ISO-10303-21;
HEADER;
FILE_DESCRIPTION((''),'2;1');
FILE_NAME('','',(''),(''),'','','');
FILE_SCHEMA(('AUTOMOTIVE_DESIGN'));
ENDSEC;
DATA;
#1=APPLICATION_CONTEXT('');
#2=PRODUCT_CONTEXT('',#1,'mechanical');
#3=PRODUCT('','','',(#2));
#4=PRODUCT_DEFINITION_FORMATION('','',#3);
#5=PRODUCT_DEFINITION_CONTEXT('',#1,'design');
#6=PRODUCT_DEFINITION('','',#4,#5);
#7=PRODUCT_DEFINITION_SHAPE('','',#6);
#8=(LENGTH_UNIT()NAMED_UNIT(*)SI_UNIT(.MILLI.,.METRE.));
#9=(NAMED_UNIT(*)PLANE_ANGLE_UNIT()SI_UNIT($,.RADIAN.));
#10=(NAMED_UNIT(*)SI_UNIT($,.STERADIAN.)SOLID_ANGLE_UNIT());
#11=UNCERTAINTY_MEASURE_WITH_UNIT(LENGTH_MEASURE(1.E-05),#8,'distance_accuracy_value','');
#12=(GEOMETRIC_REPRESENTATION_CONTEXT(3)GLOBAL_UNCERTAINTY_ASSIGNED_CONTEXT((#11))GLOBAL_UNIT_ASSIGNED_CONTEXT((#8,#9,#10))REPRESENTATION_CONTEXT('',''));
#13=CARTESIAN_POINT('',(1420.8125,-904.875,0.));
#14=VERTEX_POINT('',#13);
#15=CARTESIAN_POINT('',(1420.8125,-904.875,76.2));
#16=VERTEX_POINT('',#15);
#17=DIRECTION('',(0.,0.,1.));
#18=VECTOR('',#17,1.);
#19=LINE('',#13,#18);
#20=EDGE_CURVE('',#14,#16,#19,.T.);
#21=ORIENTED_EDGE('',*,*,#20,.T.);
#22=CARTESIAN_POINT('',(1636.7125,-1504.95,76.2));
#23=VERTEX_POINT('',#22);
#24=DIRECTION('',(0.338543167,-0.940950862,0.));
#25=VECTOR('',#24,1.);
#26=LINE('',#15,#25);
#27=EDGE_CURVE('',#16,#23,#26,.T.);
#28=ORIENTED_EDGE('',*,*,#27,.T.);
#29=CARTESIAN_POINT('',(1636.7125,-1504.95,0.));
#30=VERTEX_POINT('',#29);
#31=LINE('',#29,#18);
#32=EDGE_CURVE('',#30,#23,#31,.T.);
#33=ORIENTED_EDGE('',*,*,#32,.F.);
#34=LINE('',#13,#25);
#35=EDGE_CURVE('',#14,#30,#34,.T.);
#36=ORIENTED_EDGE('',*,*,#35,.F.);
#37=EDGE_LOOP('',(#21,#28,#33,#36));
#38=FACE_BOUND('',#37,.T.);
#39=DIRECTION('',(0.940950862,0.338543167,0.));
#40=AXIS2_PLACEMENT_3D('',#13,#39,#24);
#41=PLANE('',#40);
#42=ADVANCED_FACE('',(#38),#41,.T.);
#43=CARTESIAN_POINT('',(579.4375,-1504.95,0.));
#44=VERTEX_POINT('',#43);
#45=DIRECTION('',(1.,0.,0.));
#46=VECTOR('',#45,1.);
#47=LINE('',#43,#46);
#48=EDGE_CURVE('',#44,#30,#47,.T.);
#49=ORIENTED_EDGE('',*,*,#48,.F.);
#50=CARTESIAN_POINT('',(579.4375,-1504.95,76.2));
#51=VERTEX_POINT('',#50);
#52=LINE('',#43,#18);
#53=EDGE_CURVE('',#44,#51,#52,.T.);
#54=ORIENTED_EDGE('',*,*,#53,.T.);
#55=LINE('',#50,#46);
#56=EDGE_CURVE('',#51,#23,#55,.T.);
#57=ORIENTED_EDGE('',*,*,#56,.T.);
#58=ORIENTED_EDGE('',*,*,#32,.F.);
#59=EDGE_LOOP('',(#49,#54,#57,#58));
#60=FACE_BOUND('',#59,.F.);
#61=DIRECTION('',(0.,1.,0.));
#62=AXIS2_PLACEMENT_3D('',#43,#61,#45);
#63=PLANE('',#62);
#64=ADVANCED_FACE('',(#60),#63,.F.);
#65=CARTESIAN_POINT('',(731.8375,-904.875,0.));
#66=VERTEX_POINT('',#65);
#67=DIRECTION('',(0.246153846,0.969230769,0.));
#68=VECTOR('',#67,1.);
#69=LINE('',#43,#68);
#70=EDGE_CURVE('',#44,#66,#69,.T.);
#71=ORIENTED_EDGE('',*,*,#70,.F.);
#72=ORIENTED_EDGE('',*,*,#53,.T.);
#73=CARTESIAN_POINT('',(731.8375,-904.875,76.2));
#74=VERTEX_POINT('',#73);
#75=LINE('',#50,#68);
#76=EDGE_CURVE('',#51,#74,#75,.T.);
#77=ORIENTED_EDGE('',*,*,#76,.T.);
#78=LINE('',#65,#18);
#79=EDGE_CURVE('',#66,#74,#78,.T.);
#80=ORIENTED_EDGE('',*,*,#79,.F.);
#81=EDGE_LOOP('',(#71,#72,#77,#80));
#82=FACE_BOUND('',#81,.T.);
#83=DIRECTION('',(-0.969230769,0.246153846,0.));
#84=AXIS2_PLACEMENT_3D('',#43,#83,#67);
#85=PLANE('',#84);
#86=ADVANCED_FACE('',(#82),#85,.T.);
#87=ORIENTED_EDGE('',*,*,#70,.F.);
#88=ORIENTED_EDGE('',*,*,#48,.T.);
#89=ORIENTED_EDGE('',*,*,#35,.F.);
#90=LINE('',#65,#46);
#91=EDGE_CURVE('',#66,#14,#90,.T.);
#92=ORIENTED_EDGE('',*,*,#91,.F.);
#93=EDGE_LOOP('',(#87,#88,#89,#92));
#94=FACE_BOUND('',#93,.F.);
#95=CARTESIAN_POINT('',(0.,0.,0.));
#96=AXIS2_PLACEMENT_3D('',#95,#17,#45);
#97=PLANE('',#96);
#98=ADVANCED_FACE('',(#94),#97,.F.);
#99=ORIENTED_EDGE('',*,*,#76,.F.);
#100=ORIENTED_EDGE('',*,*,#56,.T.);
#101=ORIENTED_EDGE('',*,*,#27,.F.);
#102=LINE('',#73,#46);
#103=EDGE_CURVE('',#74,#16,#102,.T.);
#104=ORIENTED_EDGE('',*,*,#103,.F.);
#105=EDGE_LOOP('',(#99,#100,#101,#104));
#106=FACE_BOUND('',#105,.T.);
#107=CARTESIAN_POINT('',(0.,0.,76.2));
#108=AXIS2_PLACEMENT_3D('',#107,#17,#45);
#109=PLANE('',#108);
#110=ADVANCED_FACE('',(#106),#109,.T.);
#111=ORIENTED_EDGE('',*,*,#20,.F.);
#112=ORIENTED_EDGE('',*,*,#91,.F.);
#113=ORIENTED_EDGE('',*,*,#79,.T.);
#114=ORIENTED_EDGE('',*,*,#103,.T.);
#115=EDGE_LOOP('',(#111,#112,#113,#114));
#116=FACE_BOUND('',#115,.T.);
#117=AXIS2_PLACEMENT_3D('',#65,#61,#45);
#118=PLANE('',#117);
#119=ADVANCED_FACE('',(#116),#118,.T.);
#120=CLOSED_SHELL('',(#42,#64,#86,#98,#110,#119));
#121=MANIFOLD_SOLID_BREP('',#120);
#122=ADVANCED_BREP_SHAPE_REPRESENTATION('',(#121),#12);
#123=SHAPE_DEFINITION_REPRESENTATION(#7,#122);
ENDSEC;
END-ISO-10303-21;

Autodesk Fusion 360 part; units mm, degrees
sketch "Sketch1" plane through (0, 0, 0) normal (0, 0, 1) x (1, 0, 0)
  line L0 (0, 0) -> (0, -600.075)
  line L1 (0, -600.075) -> (744.5375, -600.075)
  line L2 (0, 0) -> (947.7375, 0)
  line L3 (947.7375, 0) -> (744.5375, -600.075)
  line L4 (1049.3375, -600.075) -> (2105.025, -600.075)
  line L5 (1049.3375, -600.075) -> (1252.5375, 0)
  line L6 (2105.025, -600.075) -> (1698.625, 0)
  line L7 (1252.5375, 0) -> (1698.625, 0)
  line L8 (2003.425, 0) -> (3025.775, 0)
  line L9 (2409.825, -600.075) -> (3025.775, -600.075)
  line L10 (3025.775, 0) -> (3025.775, -600.075)
  line L11 (2409.825, -600.075) -> (2003.425, 0)
  line L12 (0, -904.875) -> (0, -1504.95)
  line L13 (0, -1504.95) -> (376.2375, -1504.95)
  line L14 (376.2375, -1504.95) -> (528.6375, -904.875)
  line L15 (0, -904.875) -> (528.6375, -904.875)
  line L16 (579.4375, -1504.95) -> (1636.7125, -1504.95)
  line L17 (731.8375, -904.875) -> (1420.8125, -904.875)
  line L18 (579.4375, -1504.95) -> (731.8375, -904.875)
  line L19 (1420.8125, -904.875) -> (1636.7125, -1504.95)
  line L20 (1839.9125, -1504.95) -> (2160.5875, -1504.95)
  line L21 (1624.0125, -904.875) -> (2401.8875, -904.875)
  line L22 (1624.0125, -904.875) -> (1839.9125, -1504.95)
  line L23 (2160.5875, -1504.95) -> (2401.8875, -904.875)
  line L24 (2363.7875, -1504.95) -> (3019.425, -1504.95)
  line L25 (2605.0875, -904.875) -> (3019.425, -904.875)
  line L26 (3019.425, -904.875) -> (3019.425, -1504.95)
  line L27 (2605.0875, -904.875) -> (2363.7875, -1504.95)
  line L28 (0, -1809.75) -> (0, -2409.825)
  line L29 (0, -1809.75) -> (909.6375, -1809.75)
  line L30 (0, -2409.825) -> (795.3375, -2409.825)
  line L31 (795.3375, -2409.825) -> (909.6375, -1809.75)
  line L32 (1214.4375, -1809.75) -> (2017.7125, -1809.75)
  line L33 (1100.1375, -2409.825) -> (1878.0125, -2409.825)
  line L34 (1100.1375, -2409.825) -> (1214.4375, -1809.75)
  line L35 (1878.0125, -2409.825) -> (2017.7125, -1809.75)
  line L36 (2182.8125, -2409.825) -> (3028.95, -2409.825)
  line L37 (2322.5125, -1809.75) -> (3028.95, -1809.75)
  line L38 (2322.5125, -1809.75) -> (2182.8125, -2409.825)
  line L39 (3028.95, -1809.75) -> (3028.95, -2409.825)
  line L40 (0, -2714.625) -> (0, -3314.7)
  line L41 (0, -2714.625) -> (465.1375, -2714.625)
  line L42 (465.1375, -2714.625) -> (465.1375, -3314.7)
  line L43 (465.1375, -3314.7) -> (0, -3314.7)
  line L44 (668.3375, -3314.7) -> (1268.4125, -3314.7)
  line L45 (668.3375, -3314.7) -> (668.3375, -2714.625)
  line L46 (668.3375, -2714.625) -> (1458.9125, -2714.625)
  line L47 (1458.9125, -2714.625) -> (1268.4125, -3314.7)
  line L48 (1471.6125, -3314.7) -> (2236.7875, -3314.7)
  line L49 (1662.1125, -2714.625) -> (2528.8875, -2714.625)
  line L50 (1471.6125, -3314.7) -> (1662.1125, -2714.625)
  line L51 (2528.8875, -2714.625) -> (2236.7875, -3314.7)
  line L52 (2439.9875, -3314.7) -> (3019.425, -3314.7)
  line L53 (2732.0875, -2714.625) -> (3019.425, -2714.625)
  line L54 (2439.9875, -3314.7) -> (2732.0875, -2714.625)
  line L55 (3019.425, -2714.625) -> (3019.425, -3314.7)
  dimension "d1" = 600.075
  dimension "d2" = 744.5375
  dimension "d3" = 1055.6875
  dimension "d4" = 304.8
  dimension "d5" = 1022.35
  dimension "d6" = 615.95
  dimension "d7" = 0
  dimension "d8" = 304.8
  dimension "d9" = 376.2375
  dimension "d10" = 1057.275
  dimension "d11" = 203.2
  dimension "d12" = 688.975
  dimension "d13" = 320.675
  dimension "d14" = 777.875
  dimension "d15" = 203.2
  dimension "d16" = 655.6375
  dimension "d17" = 414.3375
  dimension "d18" = 203.2
  dimension "d19" = 0
  dimension "d20" = 0
  dimension "d21" = 909.6375
  dimension "d22" = 795.3375
  dimension "d23" = 803.275
  dimension "d24" = 777.875
  dimension "d25" = 304.8
  dimension "d26" = 846.1375
  dimension "d27" = 304.8
  dimension "d28" = 706.4375
  dimension "d29" = 304.8
  dimension "d30" = 947.7375
  dimension "d31" = 446.0875
  dimension "d32" = 528.6375
  dimension "d33" = 0
  dimension "d34" = 0
  dimension "d35" = 465.1375
  dimension "d36" = 600.075
  dimension "d37" = 203.2
  dimension "d38" = 790.575
  dimension "d39" = 765.175
  dimension "d40" = 203.2
  dimension "d41" = 866.775
  dimension "d42" = 579.4375
  dimension "d43" = 287.3375
  dimension "d44" = 203.2
extrude "Extrude1" add sketch "Sketch1" along normal blind 76.2 contours L16 L17 L18 L19
equation "d1 = 23 5/8\""
equation "d2 = 29 5/16\""
equation "d3 = 41 9/16\""
equation "d5 = 40 1/4\""
equation "d6 = 24 1/4\""
equation "d7 = d20"
equation "d9 = 14 13/16\""
equation "d12 = 27 1/8\""
equation "d13 = 12 5/8\""
equation "d14 = 30 5/8\""
equation "d16 = 25 13/16\""
equation "d17 = 16 5/16\""
equation "d19 = d20"
equation "d20 = d33"
equation "d21 = 35 13/16\""
equation "d22 = 31 5/16\""
equation "d23 = 31 5/8\""
equation "d24 = 30 5/8\""
equation "d26 = 33 5/16\""
equation "d28 = 27 13/16\""
equation "d30 = 37 5/16\""
equation "d31 = 17 9/16\""
equation "d32 = 20 13/16\""
equation "d33 = d33"
equation "d34 = d20"
equation "d35 = 18 5/16\""
equation "d36 = 23 5/8\""
equation "d38 = 31 1/8\""
equation "d41 = 34 1/8\""
